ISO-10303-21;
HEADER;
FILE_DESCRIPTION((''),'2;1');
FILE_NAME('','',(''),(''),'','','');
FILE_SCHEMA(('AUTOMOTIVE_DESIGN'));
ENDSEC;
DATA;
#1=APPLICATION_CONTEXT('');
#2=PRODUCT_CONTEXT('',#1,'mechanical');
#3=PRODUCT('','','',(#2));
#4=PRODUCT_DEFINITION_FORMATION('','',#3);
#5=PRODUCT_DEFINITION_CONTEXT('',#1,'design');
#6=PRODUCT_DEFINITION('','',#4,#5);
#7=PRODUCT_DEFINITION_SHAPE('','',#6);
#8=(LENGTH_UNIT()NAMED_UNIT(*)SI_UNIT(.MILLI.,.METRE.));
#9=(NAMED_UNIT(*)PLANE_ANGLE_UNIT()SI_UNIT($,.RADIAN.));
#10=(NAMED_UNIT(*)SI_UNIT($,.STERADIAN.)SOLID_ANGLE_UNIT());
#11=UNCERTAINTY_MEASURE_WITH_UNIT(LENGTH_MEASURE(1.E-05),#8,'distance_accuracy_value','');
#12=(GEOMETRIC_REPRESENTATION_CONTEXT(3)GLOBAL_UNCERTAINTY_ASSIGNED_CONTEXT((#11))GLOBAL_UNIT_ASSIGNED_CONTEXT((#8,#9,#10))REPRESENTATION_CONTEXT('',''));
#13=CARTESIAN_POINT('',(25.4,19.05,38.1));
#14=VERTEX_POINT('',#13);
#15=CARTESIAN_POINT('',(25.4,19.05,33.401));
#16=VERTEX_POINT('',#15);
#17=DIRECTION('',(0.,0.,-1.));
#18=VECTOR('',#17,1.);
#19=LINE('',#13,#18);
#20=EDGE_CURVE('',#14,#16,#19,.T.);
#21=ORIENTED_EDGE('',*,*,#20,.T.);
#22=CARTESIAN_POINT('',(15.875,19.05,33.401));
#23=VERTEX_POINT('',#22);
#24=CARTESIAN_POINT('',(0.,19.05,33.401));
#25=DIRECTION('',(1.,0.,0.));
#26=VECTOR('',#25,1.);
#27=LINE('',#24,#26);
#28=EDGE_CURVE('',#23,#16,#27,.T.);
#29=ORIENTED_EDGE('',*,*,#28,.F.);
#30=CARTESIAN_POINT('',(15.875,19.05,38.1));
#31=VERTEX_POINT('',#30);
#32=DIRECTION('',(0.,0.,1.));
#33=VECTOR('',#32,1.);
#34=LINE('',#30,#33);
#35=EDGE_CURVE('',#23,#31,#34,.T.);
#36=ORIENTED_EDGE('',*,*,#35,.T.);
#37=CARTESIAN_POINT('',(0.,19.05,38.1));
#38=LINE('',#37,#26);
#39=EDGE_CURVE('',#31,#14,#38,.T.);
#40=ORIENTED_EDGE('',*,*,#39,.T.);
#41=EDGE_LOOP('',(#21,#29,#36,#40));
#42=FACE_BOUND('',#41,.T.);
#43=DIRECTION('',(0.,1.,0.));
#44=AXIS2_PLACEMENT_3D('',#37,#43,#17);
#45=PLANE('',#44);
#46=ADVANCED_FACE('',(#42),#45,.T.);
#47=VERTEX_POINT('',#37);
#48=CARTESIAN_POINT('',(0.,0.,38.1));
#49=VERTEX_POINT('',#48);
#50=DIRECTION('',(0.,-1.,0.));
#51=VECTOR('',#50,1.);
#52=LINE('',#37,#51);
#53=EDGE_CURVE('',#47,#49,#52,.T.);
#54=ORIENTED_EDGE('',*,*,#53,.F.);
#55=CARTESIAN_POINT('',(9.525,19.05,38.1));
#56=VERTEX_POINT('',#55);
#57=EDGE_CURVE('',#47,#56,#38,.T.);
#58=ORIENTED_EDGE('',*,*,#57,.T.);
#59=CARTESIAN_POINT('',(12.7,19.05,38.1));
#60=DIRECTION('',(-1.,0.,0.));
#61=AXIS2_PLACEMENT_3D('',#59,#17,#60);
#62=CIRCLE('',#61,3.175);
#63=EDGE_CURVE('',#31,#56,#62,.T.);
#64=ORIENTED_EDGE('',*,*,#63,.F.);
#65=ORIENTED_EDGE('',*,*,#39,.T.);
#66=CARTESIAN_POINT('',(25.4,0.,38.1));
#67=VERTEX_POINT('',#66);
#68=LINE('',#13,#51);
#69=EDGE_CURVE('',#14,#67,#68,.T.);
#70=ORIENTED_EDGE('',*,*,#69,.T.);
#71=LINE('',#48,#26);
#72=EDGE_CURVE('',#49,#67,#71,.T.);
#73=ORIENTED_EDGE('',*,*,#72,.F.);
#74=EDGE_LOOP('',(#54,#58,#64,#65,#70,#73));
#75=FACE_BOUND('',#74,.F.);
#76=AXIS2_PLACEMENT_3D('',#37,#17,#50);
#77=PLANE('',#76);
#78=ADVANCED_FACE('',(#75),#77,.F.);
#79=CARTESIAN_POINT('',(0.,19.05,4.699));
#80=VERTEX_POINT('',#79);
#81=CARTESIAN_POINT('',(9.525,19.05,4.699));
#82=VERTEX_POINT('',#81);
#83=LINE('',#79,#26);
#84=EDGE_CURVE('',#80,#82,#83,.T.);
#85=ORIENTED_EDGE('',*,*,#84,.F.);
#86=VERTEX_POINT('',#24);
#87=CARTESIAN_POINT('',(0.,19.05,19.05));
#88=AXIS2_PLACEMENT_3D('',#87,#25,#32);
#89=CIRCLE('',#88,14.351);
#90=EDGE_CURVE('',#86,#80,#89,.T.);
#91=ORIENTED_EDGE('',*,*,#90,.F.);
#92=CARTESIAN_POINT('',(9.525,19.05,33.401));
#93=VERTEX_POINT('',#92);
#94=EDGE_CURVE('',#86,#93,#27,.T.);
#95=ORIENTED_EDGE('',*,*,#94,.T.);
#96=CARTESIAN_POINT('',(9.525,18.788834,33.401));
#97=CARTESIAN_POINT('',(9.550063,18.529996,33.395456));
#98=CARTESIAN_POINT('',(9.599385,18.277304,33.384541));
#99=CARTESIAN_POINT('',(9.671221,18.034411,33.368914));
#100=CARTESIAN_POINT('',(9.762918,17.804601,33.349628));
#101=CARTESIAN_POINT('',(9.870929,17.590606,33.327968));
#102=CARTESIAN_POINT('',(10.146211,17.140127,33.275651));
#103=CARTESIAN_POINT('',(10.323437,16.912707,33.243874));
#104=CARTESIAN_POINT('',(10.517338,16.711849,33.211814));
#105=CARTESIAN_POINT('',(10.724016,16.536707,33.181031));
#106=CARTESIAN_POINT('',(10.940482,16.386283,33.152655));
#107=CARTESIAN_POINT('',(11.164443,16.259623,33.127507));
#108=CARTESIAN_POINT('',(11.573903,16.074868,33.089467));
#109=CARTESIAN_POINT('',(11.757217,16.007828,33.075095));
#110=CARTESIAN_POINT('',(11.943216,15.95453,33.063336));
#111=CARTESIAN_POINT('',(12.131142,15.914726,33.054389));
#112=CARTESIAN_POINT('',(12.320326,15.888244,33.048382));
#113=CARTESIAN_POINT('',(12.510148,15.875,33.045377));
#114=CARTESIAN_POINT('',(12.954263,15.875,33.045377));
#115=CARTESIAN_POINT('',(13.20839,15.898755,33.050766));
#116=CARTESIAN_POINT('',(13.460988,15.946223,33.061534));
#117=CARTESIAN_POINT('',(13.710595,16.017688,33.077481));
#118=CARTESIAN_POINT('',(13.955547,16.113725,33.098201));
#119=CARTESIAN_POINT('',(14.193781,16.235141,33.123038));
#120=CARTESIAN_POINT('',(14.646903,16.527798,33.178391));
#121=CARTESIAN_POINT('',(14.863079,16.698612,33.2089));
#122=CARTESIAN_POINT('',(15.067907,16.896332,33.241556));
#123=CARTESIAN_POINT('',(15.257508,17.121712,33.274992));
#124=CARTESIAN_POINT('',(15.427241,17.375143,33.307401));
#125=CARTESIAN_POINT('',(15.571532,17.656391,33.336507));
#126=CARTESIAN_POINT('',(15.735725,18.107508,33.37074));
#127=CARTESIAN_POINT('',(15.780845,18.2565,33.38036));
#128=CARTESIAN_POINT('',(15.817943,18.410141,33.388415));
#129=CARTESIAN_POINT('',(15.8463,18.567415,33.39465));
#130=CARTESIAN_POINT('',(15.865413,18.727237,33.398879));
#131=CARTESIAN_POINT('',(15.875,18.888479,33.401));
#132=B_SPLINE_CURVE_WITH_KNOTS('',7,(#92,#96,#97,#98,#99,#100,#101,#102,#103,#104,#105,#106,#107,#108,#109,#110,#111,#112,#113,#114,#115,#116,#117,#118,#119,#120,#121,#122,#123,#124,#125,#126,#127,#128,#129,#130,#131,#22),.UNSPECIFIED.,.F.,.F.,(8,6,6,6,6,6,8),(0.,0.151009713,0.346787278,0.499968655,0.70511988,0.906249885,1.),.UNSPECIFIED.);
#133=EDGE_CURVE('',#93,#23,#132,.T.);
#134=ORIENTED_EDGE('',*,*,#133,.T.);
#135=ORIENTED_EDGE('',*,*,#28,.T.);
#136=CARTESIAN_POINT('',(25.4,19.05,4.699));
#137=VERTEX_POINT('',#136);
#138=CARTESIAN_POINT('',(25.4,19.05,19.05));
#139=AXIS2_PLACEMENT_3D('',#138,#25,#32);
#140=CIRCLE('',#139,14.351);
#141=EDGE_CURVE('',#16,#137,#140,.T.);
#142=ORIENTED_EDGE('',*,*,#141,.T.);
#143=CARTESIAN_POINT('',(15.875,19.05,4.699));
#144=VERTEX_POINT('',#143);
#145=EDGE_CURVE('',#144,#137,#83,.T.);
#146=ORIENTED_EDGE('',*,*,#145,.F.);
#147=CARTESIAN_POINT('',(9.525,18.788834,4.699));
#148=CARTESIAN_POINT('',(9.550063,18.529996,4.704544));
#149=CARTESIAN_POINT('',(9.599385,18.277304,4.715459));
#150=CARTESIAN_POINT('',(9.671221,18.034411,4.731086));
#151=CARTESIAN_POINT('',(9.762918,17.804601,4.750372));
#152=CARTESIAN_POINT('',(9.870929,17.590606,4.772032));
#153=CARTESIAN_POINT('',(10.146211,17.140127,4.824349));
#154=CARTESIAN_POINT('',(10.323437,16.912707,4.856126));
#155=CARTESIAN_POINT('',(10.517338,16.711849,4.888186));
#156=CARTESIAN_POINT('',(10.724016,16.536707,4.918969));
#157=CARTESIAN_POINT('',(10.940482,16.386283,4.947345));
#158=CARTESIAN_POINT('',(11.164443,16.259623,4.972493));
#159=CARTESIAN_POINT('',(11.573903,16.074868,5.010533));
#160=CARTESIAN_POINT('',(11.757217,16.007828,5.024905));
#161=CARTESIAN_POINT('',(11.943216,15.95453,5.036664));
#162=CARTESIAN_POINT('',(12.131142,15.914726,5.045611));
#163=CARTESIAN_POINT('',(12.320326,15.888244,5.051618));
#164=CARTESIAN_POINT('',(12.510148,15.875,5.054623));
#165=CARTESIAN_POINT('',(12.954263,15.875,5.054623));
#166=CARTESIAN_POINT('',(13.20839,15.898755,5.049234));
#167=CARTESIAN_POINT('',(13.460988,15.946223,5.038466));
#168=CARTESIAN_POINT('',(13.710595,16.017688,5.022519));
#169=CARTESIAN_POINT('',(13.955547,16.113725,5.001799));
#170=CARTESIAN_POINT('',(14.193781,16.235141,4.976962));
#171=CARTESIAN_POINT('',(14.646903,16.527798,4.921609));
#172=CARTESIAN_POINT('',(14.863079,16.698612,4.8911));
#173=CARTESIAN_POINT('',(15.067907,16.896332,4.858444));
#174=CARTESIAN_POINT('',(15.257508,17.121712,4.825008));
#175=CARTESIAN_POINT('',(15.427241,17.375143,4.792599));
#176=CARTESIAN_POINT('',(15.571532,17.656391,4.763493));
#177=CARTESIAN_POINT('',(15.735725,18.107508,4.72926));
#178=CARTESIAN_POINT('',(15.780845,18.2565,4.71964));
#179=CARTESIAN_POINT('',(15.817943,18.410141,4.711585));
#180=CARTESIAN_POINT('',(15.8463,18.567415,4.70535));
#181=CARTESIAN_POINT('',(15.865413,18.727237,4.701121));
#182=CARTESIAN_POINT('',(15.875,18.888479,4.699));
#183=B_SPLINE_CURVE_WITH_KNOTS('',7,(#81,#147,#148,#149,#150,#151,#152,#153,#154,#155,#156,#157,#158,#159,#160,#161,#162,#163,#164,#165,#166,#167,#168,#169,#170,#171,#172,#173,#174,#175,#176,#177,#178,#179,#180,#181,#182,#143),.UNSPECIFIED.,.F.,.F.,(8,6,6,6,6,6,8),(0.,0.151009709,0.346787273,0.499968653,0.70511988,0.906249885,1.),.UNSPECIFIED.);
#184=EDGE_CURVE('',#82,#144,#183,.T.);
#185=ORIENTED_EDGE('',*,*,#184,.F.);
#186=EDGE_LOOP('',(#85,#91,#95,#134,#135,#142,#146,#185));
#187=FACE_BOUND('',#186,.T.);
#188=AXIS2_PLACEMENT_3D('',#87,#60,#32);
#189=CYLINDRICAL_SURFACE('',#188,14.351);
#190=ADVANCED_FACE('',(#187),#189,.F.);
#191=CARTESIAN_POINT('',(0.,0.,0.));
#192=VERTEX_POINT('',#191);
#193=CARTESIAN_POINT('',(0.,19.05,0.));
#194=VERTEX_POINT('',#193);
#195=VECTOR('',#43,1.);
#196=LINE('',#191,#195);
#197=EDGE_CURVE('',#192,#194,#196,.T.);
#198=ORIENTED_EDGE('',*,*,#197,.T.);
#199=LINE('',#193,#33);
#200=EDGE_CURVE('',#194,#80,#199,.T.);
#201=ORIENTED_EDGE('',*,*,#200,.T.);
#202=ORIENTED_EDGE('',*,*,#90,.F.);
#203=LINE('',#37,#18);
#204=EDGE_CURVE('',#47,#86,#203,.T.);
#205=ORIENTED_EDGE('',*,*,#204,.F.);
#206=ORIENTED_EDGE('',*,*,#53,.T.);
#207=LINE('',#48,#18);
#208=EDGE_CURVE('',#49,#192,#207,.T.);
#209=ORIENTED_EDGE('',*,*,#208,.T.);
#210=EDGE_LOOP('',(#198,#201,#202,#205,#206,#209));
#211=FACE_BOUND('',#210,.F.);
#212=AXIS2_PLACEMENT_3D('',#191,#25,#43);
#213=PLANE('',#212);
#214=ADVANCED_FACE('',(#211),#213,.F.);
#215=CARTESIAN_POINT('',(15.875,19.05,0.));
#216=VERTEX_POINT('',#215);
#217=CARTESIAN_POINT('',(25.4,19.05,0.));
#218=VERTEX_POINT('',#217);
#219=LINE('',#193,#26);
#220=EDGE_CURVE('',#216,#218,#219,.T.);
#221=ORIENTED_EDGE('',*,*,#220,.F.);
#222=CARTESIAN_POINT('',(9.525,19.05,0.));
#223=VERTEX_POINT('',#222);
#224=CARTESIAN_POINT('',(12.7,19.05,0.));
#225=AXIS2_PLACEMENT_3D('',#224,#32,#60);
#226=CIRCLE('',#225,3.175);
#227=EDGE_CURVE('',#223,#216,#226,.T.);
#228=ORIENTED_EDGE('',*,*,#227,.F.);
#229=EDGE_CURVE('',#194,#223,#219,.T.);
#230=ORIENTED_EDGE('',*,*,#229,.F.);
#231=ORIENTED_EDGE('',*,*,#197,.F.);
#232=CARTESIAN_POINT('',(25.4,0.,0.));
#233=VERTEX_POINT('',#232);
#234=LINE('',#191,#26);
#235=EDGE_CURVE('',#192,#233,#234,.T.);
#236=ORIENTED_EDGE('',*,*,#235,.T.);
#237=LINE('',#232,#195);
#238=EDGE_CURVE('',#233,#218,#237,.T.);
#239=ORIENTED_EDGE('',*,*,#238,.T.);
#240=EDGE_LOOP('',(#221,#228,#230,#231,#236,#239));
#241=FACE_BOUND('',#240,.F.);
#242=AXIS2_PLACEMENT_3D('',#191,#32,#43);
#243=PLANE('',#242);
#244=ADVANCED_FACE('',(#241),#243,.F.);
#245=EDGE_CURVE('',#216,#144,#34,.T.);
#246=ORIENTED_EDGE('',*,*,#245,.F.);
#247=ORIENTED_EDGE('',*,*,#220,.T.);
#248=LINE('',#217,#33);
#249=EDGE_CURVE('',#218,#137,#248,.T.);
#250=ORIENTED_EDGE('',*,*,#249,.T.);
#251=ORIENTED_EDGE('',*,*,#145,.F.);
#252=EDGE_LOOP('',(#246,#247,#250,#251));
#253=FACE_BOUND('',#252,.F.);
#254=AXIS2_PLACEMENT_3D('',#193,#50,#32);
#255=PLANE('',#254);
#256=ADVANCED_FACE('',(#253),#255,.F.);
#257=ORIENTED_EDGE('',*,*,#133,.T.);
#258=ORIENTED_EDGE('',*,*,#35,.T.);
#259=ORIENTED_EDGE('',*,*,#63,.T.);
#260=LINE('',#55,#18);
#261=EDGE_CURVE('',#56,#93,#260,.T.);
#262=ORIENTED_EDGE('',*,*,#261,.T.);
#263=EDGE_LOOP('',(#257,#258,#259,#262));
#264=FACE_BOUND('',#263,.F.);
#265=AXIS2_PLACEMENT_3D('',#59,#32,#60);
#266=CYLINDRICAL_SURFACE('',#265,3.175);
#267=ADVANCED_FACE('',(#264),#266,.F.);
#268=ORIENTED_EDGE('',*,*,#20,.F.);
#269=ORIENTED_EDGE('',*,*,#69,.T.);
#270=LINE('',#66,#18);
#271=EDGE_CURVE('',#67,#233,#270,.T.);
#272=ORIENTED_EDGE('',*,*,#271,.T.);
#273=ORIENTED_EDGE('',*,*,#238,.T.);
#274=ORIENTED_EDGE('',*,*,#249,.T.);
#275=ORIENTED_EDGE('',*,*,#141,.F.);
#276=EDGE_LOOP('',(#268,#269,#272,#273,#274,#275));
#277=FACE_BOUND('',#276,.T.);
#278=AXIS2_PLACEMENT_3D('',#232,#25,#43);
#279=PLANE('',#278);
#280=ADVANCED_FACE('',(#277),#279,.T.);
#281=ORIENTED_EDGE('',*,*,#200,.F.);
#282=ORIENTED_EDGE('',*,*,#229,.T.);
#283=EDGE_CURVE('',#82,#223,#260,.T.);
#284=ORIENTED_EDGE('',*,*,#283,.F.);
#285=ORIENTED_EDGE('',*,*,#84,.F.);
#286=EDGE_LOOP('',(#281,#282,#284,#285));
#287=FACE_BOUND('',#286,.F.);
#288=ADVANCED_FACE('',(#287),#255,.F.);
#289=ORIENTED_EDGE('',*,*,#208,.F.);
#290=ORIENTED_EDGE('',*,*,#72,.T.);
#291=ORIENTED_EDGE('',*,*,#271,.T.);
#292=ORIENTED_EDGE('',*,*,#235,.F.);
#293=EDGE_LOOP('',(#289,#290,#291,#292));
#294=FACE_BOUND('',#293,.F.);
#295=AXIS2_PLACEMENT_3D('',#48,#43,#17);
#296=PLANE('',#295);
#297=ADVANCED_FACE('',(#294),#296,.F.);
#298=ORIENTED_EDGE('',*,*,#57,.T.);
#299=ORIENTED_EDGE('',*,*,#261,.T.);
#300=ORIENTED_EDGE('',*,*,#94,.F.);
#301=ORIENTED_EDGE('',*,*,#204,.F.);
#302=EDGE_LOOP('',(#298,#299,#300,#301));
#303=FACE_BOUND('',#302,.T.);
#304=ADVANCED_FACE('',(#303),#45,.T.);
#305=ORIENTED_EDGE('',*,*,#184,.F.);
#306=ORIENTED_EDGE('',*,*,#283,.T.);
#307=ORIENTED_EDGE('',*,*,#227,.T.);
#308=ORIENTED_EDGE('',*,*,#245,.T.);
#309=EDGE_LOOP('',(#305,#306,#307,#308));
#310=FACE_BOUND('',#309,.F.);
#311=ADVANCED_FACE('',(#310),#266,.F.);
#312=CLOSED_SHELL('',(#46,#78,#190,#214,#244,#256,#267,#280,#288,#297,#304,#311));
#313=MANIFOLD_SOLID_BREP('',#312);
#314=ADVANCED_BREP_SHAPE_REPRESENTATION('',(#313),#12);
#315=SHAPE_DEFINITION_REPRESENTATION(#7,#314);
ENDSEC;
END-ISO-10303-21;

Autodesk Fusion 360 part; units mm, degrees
sketch "Sketch1" plane through (0, 0, 0) normal (1, 0, 0) x (0, 1, 0)
  line L0 (19.05, 38.1) -> (0, 38.1)
  line L1 (0, 38.1) -> (0, 0)
  line L2 (0, 0) -> (19.05, 0)
  line L3 (19.05, 0) -> (19.05, 4.699)
  line L4 (19.05, 38.1) -> (19.05, 33.401)
  line L5 (19.05, 33.401) -> (19.05, 4.699) construction
  arc A0 (19.05, 33.401) -> (19.05, 4.699) centre (19.05, 19.05) ccw
  dimension "d1" = 14.351
  dimension "d3" = 19.05
  dimension "d4" = 38.1
extrude "Extrude1" add sketch "Sketch1" along normal blind 25.4
sketch "Sketch2" plane through (0, 0, 38.1) normal (0, 0, 1) x (-1, 0, 0)
  line L0 (0, -19.05) -> (0, 0)
  line L1 (0, 0) -> (-25.4, 0)
  line L2 (-25.4, 0) -> (-25.4, -19.05)
  line L3 (-25.4, -19.05) -> (0, -19.05)
  circle A0 centre (-12.7, -19.05) radius 3.175
  dimension "d7" = 6.35
extrude "Extrude2" cut sketch "Sketch2" against normal up to surface (38.1 mm away) contours L3 A0 | L3 A0
